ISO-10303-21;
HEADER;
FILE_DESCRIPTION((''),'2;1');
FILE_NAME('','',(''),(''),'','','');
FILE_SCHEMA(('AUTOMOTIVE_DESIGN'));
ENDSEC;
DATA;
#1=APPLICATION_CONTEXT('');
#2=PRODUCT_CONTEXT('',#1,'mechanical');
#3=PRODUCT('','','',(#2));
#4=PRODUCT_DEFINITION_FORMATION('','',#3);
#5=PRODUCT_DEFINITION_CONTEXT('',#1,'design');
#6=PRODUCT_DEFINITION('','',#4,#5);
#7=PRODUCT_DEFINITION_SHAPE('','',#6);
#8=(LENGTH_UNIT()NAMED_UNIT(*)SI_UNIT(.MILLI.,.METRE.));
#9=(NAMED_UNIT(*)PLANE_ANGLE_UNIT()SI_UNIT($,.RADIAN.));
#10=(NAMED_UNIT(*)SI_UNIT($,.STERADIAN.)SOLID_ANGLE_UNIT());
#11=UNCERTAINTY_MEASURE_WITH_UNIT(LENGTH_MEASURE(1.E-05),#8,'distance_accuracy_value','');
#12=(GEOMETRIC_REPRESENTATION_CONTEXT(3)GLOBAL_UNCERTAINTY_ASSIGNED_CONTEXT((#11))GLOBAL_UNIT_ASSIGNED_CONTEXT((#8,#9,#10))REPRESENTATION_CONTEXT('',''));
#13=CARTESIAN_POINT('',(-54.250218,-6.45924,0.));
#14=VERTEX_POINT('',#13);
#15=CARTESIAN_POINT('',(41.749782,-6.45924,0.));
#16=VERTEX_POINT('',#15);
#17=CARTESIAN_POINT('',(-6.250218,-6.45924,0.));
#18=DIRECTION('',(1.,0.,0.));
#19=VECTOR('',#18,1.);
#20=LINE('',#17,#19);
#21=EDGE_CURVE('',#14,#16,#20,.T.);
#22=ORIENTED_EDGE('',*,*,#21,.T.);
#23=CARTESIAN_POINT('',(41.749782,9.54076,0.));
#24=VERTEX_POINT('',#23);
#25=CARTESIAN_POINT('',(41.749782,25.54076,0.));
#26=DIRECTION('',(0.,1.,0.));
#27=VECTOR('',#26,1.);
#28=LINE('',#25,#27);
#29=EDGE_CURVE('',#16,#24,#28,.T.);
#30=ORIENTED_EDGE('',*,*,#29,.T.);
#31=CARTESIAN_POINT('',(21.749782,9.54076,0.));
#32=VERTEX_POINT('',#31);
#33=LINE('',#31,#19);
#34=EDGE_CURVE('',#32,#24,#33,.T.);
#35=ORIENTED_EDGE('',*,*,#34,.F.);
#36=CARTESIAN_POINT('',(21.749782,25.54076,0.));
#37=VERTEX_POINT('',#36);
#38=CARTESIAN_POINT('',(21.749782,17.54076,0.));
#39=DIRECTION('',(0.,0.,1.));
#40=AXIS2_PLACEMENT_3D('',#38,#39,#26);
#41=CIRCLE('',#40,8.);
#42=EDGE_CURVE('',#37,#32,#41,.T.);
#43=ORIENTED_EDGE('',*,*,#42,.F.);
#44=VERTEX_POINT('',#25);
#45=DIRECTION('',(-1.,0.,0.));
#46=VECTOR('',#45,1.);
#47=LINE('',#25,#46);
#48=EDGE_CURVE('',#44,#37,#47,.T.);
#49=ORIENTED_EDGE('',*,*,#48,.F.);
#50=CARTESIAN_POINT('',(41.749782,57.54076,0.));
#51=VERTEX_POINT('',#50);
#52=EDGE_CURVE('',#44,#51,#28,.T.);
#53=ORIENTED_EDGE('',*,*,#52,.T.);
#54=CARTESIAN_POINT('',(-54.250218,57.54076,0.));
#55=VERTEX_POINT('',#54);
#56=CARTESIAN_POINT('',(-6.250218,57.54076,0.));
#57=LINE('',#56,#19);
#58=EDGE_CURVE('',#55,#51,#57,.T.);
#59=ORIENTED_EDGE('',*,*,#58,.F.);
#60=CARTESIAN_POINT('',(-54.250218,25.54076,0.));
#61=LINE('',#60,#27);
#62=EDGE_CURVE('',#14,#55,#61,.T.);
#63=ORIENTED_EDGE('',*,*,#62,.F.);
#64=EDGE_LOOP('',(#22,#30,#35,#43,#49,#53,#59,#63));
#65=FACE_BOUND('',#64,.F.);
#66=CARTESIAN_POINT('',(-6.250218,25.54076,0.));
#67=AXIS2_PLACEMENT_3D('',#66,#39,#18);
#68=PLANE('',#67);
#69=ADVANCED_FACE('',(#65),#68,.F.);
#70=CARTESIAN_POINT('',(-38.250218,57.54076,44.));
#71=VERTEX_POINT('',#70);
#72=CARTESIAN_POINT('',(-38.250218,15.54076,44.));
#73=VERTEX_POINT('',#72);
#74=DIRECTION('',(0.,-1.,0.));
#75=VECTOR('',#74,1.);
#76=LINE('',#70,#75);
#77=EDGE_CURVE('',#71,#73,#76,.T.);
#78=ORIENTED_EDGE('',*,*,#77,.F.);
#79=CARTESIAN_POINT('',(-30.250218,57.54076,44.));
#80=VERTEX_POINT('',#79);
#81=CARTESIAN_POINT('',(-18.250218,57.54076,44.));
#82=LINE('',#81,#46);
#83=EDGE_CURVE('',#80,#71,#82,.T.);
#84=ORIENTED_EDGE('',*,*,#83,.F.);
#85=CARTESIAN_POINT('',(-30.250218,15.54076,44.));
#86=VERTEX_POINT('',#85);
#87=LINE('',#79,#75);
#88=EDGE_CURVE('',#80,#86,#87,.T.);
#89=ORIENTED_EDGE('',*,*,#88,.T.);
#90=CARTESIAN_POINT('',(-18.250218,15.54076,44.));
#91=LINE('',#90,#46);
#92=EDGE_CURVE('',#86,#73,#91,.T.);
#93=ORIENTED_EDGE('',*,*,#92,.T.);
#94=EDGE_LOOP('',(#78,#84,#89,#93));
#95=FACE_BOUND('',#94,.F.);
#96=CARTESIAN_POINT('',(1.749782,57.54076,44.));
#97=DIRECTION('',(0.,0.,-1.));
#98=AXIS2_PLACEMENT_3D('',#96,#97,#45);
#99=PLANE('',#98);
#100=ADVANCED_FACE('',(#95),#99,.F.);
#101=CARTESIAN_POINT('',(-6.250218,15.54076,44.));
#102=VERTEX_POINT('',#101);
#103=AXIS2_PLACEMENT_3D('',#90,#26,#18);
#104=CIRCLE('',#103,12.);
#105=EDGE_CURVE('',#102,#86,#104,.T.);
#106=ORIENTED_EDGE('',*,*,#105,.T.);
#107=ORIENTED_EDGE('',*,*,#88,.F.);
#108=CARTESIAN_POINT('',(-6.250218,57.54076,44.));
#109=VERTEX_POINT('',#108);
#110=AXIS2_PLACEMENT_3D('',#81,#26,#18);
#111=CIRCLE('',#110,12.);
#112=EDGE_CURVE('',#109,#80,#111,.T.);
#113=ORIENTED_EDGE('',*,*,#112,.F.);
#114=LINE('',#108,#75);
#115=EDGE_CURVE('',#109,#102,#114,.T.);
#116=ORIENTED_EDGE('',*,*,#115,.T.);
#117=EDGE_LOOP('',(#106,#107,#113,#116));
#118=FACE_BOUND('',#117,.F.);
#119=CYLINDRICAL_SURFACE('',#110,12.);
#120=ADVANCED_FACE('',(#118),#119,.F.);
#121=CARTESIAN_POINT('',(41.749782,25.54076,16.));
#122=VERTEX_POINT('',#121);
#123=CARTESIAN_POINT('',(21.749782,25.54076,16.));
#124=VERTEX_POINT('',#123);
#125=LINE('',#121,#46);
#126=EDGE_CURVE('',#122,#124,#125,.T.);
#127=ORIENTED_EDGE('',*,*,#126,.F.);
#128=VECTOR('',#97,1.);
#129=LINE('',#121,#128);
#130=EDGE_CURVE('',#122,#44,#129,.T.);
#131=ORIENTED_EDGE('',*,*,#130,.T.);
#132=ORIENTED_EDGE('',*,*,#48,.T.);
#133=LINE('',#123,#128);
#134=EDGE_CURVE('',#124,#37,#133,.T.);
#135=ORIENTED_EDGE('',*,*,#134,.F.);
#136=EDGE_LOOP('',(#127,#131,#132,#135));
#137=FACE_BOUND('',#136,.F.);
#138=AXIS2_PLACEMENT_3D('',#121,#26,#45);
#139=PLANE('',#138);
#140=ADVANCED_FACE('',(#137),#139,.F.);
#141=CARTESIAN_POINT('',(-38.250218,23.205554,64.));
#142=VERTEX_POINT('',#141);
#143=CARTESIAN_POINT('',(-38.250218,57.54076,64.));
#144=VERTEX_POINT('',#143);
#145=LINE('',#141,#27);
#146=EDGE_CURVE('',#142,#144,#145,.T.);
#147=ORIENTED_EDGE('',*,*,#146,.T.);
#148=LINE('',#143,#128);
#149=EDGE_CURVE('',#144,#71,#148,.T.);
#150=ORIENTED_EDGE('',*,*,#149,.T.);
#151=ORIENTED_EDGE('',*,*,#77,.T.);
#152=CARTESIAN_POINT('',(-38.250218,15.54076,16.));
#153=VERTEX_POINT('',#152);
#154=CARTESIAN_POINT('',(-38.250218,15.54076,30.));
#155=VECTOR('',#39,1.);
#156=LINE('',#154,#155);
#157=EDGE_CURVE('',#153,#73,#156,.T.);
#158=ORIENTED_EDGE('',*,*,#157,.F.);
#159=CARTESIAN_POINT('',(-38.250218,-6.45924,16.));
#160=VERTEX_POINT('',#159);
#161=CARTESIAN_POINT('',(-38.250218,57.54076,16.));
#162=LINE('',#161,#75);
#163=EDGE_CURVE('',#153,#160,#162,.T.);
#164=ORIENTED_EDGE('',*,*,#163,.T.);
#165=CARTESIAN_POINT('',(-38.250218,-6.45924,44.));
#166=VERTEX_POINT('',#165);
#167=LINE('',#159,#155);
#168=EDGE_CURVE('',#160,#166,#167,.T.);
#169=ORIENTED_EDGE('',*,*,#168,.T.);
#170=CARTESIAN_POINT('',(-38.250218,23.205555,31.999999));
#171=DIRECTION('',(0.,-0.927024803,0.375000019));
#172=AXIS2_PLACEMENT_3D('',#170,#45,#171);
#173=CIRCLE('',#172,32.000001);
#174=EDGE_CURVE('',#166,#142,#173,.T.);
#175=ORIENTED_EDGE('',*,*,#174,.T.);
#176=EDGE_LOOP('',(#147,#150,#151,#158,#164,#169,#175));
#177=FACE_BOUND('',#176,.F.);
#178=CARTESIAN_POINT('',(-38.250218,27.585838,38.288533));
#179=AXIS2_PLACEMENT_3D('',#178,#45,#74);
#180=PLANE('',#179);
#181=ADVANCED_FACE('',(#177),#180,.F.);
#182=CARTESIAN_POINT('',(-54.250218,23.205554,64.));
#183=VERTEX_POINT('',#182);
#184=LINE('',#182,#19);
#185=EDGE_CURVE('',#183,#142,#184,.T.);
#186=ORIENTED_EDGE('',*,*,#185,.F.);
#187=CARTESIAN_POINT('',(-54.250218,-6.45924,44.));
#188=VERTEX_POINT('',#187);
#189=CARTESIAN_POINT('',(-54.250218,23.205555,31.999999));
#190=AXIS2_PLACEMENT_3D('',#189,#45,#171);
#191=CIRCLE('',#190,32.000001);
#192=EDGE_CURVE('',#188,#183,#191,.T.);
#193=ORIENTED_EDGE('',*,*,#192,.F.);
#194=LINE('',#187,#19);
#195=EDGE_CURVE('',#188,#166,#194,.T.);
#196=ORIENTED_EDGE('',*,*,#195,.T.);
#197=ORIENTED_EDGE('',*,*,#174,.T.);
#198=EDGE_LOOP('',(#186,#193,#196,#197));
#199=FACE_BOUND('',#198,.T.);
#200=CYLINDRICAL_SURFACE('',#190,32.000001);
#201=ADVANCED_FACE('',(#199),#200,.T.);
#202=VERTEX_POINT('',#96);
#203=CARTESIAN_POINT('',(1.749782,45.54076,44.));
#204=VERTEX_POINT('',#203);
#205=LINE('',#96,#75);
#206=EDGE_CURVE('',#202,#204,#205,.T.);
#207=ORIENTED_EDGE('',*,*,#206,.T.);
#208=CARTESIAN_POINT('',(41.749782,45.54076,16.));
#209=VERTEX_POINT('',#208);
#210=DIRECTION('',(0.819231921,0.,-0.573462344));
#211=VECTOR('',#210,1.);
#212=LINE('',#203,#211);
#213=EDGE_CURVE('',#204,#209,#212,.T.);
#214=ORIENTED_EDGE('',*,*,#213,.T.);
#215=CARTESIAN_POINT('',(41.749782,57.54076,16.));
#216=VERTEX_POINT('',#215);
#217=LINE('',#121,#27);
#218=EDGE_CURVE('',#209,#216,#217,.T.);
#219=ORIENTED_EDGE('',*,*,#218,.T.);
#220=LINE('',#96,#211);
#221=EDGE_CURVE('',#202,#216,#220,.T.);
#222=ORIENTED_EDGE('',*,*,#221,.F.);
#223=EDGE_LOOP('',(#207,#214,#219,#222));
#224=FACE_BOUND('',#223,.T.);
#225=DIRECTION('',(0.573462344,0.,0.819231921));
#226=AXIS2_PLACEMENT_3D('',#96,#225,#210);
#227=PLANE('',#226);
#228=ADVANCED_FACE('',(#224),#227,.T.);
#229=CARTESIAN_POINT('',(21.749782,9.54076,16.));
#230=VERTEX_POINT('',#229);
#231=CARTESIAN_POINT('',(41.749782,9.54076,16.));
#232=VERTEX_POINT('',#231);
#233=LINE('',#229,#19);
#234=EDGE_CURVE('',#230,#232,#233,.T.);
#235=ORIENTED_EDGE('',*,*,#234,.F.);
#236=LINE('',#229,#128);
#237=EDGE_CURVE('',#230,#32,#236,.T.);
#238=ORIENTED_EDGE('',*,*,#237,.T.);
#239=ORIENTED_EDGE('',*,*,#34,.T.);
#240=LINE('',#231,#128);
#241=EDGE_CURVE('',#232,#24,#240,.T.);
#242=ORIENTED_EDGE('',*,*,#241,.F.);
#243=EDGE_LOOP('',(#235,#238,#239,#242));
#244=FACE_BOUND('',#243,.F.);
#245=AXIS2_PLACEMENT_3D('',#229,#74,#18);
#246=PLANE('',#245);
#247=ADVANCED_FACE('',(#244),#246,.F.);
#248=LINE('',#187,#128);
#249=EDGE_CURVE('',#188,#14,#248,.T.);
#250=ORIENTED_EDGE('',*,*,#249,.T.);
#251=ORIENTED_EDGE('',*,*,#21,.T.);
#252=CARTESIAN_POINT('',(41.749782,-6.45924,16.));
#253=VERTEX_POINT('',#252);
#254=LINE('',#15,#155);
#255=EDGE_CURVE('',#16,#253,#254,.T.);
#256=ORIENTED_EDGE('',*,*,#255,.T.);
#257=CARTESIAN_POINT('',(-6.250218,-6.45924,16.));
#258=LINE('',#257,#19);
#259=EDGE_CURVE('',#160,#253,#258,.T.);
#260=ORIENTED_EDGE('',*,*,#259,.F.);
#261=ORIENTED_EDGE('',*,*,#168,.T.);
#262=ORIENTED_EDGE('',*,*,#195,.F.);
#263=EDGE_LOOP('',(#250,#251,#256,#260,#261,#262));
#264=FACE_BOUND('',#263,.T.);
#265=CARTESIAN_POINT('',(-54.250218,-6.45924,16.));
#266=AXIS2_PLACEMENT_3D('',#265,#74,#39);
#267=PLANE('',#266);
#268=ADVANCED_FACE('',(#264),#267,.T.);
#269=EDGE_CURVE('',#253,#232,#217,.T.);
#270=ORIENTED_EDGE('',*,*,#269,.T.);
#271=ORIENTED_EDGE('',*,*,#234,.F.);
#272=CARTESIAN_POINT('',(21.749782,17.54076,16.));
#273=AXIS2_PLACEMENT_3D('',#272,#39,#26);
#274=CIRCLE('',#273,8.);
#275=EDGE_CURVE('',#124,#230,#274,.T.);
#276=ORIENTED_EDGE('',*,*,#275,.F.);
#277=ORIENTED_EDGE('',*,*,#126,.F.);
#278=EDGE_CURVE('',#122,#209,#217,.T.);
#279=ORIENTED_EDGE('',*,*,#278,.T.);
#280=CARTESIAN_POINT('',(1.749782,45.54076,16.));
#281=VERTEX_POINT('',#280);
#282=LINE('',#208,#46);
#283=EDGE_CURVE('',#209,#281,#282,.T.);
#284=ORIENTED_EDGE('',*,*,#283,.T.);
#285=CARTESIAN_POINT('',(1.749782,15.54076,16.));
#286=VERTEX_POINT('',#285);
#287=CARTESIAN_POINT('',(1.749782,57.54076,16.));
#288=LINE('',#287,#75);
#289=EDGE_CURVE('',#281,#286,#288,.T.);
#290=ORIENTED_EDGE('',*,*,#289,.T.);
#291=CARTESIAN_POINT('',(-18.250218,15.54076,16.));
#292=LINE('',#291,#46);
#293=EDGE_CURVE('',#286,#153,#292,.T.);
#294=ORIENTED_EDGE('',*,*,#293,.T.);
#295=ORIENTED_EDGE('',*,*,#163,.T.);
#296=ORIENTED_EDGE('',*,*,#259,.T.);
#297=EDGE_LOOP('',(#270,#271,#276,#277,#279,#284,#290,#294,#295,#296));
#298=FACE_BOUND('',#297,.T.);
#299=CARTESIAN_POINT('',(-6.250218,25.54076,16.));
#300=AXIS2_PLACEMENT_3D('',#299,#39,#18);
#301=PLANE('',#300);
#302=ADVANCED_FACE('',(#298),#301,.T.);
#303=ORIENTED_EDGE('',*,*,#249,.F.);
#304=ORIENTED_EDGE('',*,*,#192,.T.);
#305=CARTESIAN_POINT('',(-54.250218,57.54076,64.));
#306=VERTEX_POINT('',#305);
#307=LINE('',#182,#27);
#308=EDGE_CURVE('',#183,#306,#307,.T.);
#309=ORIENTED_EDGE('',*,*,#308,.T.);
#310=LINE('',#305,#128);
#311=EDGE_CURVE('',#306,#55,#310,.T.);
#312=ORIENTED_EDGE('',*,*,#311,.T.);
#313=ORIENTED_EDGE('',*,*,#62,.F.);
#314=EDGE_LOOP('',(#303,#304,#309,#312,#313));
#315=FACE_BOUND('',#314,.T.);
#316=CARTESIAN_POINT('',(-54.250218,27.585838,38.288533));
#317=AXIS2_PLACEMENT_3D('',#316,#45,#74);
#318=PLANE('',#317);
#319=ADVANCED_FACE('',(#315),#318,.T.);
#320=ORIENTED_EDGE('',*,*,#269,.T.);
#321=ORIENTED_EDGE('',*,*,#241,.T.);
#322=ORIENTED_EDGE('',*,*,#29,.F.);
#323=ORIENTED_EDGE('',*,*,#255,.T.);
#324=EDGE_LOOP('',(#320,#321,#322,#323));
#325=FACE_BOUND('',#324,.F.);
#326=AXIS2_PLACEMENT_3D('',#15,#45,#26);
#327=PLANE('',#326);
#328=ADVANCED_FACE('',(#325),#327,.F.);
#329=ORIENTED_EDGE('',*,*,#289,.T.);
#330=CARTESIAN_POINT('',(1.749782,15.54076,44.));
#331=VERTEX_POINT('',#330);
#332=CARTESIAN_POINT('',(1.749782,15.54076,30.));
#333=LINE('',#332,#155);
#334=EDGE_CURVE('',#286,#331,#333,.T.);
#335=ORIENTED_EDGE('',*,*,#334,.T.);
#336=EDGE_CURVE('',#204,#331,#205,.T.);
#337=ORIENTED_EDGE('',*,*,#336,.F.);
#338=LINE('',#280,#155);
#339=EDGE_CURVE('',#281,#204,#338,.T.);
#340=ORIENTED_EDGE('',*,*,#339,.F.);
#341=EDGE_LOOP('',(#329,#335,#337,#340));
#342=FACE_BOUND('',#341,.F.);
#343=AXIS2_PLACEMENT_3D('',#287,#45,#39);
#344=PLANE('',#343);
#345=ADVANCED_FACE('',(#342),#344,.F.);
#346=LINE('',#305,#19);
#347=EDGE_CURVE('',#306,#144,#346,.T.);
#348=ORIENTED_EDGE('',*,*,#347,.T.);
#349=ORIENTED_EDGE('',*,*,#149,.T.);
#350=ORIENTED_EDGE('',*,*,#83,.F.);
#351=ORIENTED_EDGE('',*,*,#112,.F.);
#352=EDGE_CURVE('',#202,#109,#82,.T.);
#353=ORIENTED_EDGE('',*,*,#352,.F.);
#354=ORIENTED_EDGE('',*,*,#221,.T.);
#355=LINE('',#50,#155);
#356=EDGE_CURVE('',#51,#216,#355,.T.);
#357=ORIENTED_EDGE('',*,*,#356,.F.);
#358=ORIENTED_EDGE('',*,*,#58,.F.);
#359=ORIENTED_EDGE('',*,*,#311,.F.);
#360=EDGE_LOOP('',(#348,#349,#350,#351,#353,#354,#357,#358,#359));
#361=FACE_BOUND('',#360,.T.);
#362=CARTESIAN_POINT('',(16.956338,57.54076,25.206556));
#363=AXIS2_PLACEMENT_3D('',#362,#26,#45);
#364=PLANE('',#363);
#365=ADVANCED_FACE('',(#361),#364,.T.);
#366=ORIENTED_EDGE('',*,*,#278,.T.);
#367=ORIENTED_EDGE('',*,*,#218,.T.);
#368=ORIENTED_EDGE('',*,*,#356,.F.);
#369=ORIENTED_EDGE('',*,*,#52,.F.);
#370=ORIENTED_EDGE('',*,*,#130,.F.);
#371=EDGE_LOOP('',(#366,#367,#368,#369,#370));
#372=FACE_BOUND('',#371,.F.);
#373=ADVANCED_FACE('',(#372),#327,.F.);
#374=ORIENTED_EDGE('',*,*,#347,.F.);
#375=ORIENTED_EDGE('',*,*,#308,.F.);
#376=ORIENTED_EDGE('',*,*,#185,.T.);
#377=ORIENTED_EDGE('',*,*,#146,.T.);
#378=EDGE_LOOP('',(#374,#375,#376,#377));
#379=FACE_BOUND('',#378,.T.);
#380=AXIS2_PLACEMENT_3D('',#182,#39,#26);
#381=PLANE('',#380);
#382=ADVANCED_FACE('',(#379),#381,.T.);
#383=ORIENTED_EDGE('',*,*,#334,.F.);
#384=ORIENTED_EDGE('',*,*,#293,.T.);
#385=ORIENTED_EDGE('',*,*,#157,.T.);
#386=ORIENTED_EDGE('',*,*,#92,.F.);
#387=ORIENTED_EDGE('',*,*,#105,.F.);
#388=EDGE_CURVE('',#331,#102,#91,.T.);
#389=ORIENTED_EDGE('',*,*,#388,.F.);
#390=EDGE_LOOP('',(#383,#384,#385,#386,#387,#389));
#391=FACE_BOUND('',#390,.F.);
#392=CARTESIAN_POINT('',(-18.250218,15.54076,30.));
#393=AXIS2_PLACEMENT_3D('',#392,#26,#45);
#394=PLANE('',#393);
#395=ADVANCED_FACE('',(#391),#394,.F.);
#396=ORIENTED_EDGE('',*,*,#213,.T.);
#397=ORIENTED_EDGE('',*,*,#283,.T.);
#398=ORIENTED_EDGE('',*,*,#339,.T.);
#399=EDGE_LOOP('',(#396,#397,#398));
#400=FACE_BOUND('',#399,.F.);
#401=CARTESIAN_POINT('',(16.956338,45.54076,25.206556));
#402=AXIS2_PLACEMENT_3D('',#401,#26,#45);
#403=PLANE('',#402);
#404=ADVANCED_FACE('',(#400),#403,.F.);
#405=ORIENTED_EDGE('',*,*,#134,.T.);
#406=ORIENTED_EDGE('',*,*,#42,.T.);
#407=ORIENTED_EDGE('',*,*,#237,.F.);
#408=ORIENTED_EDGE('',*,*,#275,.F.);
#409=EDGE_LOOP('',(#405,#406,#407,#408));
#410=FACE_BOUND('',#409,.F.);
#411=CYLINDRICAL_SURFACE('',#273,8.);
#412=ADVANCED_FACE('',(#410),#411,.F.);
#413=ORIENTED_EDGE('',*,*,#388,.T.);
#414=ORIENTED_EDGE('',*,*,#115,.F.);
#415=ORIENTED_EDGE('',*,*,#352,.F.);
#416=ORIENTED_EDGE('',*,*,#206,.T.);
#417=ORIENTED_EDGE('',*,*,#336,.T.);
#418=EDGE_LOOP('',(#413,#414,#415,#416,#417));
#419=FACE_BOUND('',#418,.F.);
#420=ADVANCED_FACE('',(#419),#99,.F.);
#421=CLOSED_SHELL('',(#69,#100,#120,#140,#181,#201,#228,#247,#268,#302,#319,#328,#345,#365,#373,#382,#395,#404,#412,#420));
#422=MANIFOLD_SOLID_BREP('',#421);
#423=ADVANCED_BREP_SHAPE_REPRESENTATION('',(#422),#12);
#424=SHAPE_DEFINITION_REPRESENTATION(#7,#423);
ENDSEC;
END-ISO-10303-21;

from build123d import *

# Parameters (mm, degrees)
F0_W      = 96
F0_H      = 64
F1_DEPTH  = 16
F3_DEPTH  = 16
F5_DEPTH  = 16
F6_W      = 40
F6_H      = 28
F7_DEPTH  = 42
F9_DEPTH  = 42
F11_DEPTH = 12


with BuildPart() as f1:
    # F0 (on Top) → F1 (new body)
    with BuildSketch(Plane.XY):
        with Locations((-6.250218, 25.54076)):
            Rectangle(F0_W, F0_H)
    extrude(amount=F1_DEPTH)

    # F2 (on face) → F3 (join)
    with BuildSketch(Plane(origin=(-54.250218, 0, 0), x_dir=(0, -1, 0), z_dir=(-1, 0, 0))):
        with BuildLine():
            Line((-57.54076, 16), (6.45924, 16))
            Line((6.45924, 16), (6.45924, 44))
            ThreePointArc((6.45924, 44), (-5.31701, 58.532998), (-23.205554, 64))
            Line((-23.205554, 64), (-57.54076, 64))
            Line((-57.54076, 64), (-57.54076, 16))
        make_face()
    extrude(amount=-F3_DEPTH)

    # F4 (on face) → F5 (cut)
    with BuildSketch(Plane.XY.offset(16)):
        with BuildLine():
            Line((21.749782, 9.54076), (41.749782, 9.54076))
            Line((41.749782, 9.54076), (41.749782, 25.54076))
            Line((41.749782, 25.54076), (21.749782, 25.54076))
            ThreePointArc((21.749782, 25.54076), (13.749782, 17.54076), (21.749782, 9.54076))
        make_face()
    extrude(amount=-F5_DEPTH, mode=Mode.SUBTRACT)

    # F6 (on face) → F7 (join)
    with BuildSketch(Plane(origin=(0, 57.54076, 0), x_dir=(-1, 0, 0), z_dir=(0, 1, 0))):
        with Locations((18.250218, 30)):
            Rectangle(F6_W, F6_H)
    extrude(amount=-F7_DEPTH)

    # F8 (on face) → F9 (cut)
    with BuildSketch(Plane(origin=(0, 57.54076, 0), x_dir=(-1, 0, 0), z_dir=(0, 1, 0))):
        with BuildLine():
            ThreePointArc((6.250218, 44), (18.250218, 32), (30.250218, 44))
            Line((30.250218, 44), (6.250218, 44))
        make_face()
    extrude(amount=-F9_DEPTH, mode=Mode.SUBTRACT)

    # F10 (on face) → F11 (join)
    with BuildSketch(Plane(origin=(0, 57.54076, 0), x_dir=(-1, 0, 0), z_dir=(0, 1, 0))):
        Polygon((-41.749782, 16), (-1.749782, 16), (-1.749782, 44), align=None)
    extrude(amount=-F11_DEPTH)


solid = f1.part
